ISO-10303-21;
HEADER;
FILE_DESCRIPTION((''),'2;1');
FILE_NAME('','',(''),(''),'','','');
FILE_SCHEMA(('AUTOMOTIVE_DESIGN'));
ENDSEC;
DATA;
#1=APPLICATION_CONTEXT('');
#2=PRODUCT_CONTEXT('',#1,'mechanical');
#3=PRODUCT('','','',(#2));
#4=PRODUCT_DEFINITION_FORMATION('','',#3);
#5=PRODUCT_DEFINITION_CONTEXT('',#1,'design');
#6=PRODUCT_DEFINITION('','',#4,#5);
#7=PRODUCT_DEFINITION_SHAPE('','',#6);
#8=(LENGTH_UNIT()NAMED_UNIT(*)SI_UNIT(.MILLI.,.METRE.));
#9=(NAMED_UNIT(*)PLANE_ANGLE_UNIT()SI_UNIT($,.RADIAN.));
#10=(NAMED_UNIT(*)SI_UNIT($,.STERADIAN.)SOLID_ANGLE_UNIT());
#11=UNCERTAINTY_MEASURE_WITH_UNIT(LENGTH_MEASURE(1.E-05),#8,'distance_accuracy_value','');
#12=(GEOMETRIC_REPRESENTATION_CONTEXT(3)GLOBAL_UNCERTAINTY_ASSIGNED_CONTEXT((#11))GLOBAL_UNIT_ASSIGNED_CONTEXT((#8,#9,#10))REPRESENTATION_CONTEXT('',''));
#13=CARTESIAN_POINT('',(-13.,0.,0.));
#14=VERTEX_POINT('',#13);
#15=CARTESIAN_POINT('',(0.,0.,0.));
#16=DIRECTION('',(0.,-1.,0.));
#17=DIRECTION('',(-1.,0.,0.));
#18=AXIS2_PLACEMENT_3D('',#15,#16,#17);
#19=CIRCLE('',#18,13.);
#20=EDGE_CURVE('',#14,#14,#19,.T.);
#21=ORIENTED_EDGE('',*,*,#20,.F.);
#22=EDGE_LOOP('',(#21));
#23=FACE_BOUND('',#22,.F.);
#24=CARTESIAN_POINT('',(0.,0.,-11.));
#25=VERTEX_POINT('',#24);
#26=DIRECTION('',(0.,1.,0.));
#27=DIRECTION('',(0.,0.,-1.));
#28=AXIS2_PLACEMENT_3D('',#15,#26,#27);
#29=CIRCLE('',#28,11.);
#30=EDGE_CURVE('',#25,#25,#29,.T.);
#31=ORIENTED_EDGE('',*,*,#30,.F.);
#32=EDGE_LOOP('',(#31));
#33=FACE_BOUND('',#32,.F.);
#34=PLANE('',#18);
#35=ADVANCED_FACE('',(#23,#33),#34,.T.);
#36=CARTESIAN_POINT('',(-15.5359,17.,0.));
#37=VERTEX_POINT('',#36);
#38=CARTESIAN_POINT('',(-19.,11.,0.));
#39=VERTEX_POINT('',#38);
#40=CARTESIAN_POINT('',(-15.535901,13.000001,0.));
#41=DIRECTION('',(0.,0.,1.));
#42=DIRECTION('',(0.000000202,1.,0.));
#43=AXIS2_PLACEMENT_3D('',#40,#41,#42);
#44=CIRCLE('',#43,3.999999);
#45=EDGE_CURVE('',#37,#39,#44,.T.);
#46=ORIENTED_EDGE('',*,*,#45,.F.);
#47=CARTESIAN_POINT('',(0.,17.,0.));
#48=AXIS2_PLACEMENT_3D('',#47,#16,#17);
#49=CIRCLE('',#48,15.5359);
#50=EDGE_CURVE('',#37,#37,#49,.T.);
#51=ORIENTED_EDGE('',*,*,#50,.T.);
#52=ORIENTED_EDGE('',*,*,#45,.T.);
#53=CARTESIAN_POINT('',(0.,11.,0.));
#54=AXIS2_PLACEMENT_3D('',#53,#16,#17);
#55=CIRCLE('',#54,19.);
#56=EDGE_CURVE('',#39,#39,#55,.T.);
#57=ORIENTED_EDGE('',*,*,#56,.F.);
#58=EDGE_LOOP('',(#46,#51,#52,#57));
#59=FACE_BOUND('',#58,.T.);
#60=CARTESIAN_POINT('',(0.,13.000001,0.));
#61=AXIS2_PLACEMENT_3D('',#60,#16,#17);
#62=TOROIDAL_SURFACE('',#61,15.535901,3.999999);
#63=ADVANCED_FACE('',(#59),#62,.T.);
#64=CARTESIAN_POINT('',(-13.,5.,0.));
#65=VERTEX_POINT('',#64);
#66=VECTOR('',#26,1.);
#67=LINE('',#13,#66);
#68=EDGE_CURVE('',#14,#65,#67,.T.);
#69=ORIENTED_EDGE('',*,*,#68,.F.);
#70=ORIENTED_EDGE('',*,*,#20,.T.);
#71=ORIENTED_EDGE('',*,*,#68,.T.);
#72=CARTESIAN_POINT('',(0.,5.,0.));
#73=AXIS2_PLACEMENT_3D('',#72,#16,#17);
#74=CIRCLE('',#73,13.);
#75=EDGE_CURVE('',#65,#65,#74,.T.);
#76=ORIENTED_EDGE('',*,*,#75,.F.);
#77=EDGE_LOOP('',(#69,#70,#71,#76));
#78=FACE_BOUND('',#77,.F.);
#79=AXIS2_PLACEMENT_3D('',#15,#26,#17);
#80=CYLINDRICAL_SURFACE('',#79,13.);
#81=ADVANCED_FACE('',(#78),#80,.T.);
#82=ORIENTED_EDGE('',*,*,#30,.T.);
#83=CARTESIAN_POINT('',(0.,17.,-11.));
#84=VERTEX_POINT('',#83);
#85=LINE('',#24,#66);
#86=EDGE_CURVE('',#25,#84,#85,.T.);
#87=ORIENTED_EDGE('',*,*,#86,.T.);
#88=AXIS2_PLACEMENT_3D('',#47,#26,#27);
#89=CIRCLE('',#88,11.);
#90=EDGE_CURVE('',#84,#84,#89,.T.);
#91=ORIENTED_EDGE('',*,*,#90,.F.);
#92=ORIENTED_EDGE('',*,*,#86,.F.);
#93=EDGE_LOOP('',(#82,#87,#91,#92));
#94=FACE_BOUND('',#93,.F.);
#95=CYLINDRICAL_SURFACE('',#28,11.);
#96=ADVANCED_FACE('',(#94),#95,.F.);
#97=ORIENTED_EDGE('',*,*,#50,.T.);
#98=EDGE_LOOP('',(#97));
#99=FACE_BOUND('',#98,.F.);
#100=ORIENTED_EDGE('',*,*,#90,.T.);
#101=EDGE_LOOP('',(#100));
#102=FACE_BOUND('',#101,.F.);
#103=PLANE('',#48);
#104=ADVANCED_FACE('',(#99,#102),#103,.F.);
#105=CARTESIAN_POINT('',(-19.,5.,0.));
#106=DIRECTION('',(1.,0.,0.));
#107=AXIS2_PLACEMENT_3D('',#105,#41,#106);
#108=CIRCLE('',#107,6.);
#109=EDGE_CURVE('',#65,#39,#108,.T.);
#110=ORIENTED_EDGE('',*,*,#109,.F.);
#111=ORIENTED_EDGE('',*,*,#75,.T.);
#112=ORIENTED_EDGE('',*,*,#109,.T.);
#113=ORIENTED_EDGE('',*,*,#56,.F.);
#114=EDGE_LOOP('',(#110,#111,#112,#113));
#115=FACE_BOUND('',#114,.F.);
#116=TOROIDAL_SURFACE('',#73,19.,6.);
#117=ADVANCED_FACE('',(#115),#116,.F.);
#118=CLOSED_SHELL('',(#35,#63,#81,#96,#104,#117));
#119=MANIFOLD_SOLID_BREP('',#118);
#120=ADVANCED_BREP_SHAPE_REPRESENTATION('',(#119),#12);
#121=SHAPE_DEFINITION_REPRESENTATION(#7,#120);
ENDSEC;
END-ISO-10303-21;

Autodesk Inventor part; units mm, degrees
ref_plane "YZ Plane" through (0, 0, 0) normal (1, 0, 0) x (0, 1, 0)
ref_plane "XZ Plane" through (0, 0, 0) normal (0, 1, 0) x (-1, 0, 0)
ref_plane "XY Plane" through (0, 0, 0) normal (0, 0, 1) x (1, 0, 0)
sketch "Sketch1" plane through (0, 0, 0) normal (0, 0, 1) x (1, 0, 0)
  line L0 (0, 0) -> (-13, 0)
  line L1 (-13, 0) -> (-13, 5)
  arc A0 (-13, 5) -> (-19, 11) centre (-19, 5) ccw
  arc A1 (-15.5359, 17) -> (-19, 11) centre (-15.5359, 13) ccw
  line L2 (-15.5359, 17) -> (0, 17)
  line L3 (0, 17) -> (0, 0)
  point P0 (-19, 15)
  dimension "d0" = 4
  dimension "d1" = 6
  dimension "d2" = 38
  dimension "d3" = 11
  dimension "d4" = 26
  dimension "d13" = 6
revolve "Revolution1" add sketch "Sketch1" angle 360 about axis through (0, 17, 0) along (0, -1, 0)
sketch "Sketch2" plane through (0, 0, 0) normal (0, -1, 0) x (1, 0, 0)
  circle A0 centre (0, 0) radius 13 projected
  point P0 (0, 0)
hole "Hole1" at (0, 0, 0) direction (0, 1, 0) diameter 22 depth 17
properties part number "132 part 2" material "Steel, Alloy"
